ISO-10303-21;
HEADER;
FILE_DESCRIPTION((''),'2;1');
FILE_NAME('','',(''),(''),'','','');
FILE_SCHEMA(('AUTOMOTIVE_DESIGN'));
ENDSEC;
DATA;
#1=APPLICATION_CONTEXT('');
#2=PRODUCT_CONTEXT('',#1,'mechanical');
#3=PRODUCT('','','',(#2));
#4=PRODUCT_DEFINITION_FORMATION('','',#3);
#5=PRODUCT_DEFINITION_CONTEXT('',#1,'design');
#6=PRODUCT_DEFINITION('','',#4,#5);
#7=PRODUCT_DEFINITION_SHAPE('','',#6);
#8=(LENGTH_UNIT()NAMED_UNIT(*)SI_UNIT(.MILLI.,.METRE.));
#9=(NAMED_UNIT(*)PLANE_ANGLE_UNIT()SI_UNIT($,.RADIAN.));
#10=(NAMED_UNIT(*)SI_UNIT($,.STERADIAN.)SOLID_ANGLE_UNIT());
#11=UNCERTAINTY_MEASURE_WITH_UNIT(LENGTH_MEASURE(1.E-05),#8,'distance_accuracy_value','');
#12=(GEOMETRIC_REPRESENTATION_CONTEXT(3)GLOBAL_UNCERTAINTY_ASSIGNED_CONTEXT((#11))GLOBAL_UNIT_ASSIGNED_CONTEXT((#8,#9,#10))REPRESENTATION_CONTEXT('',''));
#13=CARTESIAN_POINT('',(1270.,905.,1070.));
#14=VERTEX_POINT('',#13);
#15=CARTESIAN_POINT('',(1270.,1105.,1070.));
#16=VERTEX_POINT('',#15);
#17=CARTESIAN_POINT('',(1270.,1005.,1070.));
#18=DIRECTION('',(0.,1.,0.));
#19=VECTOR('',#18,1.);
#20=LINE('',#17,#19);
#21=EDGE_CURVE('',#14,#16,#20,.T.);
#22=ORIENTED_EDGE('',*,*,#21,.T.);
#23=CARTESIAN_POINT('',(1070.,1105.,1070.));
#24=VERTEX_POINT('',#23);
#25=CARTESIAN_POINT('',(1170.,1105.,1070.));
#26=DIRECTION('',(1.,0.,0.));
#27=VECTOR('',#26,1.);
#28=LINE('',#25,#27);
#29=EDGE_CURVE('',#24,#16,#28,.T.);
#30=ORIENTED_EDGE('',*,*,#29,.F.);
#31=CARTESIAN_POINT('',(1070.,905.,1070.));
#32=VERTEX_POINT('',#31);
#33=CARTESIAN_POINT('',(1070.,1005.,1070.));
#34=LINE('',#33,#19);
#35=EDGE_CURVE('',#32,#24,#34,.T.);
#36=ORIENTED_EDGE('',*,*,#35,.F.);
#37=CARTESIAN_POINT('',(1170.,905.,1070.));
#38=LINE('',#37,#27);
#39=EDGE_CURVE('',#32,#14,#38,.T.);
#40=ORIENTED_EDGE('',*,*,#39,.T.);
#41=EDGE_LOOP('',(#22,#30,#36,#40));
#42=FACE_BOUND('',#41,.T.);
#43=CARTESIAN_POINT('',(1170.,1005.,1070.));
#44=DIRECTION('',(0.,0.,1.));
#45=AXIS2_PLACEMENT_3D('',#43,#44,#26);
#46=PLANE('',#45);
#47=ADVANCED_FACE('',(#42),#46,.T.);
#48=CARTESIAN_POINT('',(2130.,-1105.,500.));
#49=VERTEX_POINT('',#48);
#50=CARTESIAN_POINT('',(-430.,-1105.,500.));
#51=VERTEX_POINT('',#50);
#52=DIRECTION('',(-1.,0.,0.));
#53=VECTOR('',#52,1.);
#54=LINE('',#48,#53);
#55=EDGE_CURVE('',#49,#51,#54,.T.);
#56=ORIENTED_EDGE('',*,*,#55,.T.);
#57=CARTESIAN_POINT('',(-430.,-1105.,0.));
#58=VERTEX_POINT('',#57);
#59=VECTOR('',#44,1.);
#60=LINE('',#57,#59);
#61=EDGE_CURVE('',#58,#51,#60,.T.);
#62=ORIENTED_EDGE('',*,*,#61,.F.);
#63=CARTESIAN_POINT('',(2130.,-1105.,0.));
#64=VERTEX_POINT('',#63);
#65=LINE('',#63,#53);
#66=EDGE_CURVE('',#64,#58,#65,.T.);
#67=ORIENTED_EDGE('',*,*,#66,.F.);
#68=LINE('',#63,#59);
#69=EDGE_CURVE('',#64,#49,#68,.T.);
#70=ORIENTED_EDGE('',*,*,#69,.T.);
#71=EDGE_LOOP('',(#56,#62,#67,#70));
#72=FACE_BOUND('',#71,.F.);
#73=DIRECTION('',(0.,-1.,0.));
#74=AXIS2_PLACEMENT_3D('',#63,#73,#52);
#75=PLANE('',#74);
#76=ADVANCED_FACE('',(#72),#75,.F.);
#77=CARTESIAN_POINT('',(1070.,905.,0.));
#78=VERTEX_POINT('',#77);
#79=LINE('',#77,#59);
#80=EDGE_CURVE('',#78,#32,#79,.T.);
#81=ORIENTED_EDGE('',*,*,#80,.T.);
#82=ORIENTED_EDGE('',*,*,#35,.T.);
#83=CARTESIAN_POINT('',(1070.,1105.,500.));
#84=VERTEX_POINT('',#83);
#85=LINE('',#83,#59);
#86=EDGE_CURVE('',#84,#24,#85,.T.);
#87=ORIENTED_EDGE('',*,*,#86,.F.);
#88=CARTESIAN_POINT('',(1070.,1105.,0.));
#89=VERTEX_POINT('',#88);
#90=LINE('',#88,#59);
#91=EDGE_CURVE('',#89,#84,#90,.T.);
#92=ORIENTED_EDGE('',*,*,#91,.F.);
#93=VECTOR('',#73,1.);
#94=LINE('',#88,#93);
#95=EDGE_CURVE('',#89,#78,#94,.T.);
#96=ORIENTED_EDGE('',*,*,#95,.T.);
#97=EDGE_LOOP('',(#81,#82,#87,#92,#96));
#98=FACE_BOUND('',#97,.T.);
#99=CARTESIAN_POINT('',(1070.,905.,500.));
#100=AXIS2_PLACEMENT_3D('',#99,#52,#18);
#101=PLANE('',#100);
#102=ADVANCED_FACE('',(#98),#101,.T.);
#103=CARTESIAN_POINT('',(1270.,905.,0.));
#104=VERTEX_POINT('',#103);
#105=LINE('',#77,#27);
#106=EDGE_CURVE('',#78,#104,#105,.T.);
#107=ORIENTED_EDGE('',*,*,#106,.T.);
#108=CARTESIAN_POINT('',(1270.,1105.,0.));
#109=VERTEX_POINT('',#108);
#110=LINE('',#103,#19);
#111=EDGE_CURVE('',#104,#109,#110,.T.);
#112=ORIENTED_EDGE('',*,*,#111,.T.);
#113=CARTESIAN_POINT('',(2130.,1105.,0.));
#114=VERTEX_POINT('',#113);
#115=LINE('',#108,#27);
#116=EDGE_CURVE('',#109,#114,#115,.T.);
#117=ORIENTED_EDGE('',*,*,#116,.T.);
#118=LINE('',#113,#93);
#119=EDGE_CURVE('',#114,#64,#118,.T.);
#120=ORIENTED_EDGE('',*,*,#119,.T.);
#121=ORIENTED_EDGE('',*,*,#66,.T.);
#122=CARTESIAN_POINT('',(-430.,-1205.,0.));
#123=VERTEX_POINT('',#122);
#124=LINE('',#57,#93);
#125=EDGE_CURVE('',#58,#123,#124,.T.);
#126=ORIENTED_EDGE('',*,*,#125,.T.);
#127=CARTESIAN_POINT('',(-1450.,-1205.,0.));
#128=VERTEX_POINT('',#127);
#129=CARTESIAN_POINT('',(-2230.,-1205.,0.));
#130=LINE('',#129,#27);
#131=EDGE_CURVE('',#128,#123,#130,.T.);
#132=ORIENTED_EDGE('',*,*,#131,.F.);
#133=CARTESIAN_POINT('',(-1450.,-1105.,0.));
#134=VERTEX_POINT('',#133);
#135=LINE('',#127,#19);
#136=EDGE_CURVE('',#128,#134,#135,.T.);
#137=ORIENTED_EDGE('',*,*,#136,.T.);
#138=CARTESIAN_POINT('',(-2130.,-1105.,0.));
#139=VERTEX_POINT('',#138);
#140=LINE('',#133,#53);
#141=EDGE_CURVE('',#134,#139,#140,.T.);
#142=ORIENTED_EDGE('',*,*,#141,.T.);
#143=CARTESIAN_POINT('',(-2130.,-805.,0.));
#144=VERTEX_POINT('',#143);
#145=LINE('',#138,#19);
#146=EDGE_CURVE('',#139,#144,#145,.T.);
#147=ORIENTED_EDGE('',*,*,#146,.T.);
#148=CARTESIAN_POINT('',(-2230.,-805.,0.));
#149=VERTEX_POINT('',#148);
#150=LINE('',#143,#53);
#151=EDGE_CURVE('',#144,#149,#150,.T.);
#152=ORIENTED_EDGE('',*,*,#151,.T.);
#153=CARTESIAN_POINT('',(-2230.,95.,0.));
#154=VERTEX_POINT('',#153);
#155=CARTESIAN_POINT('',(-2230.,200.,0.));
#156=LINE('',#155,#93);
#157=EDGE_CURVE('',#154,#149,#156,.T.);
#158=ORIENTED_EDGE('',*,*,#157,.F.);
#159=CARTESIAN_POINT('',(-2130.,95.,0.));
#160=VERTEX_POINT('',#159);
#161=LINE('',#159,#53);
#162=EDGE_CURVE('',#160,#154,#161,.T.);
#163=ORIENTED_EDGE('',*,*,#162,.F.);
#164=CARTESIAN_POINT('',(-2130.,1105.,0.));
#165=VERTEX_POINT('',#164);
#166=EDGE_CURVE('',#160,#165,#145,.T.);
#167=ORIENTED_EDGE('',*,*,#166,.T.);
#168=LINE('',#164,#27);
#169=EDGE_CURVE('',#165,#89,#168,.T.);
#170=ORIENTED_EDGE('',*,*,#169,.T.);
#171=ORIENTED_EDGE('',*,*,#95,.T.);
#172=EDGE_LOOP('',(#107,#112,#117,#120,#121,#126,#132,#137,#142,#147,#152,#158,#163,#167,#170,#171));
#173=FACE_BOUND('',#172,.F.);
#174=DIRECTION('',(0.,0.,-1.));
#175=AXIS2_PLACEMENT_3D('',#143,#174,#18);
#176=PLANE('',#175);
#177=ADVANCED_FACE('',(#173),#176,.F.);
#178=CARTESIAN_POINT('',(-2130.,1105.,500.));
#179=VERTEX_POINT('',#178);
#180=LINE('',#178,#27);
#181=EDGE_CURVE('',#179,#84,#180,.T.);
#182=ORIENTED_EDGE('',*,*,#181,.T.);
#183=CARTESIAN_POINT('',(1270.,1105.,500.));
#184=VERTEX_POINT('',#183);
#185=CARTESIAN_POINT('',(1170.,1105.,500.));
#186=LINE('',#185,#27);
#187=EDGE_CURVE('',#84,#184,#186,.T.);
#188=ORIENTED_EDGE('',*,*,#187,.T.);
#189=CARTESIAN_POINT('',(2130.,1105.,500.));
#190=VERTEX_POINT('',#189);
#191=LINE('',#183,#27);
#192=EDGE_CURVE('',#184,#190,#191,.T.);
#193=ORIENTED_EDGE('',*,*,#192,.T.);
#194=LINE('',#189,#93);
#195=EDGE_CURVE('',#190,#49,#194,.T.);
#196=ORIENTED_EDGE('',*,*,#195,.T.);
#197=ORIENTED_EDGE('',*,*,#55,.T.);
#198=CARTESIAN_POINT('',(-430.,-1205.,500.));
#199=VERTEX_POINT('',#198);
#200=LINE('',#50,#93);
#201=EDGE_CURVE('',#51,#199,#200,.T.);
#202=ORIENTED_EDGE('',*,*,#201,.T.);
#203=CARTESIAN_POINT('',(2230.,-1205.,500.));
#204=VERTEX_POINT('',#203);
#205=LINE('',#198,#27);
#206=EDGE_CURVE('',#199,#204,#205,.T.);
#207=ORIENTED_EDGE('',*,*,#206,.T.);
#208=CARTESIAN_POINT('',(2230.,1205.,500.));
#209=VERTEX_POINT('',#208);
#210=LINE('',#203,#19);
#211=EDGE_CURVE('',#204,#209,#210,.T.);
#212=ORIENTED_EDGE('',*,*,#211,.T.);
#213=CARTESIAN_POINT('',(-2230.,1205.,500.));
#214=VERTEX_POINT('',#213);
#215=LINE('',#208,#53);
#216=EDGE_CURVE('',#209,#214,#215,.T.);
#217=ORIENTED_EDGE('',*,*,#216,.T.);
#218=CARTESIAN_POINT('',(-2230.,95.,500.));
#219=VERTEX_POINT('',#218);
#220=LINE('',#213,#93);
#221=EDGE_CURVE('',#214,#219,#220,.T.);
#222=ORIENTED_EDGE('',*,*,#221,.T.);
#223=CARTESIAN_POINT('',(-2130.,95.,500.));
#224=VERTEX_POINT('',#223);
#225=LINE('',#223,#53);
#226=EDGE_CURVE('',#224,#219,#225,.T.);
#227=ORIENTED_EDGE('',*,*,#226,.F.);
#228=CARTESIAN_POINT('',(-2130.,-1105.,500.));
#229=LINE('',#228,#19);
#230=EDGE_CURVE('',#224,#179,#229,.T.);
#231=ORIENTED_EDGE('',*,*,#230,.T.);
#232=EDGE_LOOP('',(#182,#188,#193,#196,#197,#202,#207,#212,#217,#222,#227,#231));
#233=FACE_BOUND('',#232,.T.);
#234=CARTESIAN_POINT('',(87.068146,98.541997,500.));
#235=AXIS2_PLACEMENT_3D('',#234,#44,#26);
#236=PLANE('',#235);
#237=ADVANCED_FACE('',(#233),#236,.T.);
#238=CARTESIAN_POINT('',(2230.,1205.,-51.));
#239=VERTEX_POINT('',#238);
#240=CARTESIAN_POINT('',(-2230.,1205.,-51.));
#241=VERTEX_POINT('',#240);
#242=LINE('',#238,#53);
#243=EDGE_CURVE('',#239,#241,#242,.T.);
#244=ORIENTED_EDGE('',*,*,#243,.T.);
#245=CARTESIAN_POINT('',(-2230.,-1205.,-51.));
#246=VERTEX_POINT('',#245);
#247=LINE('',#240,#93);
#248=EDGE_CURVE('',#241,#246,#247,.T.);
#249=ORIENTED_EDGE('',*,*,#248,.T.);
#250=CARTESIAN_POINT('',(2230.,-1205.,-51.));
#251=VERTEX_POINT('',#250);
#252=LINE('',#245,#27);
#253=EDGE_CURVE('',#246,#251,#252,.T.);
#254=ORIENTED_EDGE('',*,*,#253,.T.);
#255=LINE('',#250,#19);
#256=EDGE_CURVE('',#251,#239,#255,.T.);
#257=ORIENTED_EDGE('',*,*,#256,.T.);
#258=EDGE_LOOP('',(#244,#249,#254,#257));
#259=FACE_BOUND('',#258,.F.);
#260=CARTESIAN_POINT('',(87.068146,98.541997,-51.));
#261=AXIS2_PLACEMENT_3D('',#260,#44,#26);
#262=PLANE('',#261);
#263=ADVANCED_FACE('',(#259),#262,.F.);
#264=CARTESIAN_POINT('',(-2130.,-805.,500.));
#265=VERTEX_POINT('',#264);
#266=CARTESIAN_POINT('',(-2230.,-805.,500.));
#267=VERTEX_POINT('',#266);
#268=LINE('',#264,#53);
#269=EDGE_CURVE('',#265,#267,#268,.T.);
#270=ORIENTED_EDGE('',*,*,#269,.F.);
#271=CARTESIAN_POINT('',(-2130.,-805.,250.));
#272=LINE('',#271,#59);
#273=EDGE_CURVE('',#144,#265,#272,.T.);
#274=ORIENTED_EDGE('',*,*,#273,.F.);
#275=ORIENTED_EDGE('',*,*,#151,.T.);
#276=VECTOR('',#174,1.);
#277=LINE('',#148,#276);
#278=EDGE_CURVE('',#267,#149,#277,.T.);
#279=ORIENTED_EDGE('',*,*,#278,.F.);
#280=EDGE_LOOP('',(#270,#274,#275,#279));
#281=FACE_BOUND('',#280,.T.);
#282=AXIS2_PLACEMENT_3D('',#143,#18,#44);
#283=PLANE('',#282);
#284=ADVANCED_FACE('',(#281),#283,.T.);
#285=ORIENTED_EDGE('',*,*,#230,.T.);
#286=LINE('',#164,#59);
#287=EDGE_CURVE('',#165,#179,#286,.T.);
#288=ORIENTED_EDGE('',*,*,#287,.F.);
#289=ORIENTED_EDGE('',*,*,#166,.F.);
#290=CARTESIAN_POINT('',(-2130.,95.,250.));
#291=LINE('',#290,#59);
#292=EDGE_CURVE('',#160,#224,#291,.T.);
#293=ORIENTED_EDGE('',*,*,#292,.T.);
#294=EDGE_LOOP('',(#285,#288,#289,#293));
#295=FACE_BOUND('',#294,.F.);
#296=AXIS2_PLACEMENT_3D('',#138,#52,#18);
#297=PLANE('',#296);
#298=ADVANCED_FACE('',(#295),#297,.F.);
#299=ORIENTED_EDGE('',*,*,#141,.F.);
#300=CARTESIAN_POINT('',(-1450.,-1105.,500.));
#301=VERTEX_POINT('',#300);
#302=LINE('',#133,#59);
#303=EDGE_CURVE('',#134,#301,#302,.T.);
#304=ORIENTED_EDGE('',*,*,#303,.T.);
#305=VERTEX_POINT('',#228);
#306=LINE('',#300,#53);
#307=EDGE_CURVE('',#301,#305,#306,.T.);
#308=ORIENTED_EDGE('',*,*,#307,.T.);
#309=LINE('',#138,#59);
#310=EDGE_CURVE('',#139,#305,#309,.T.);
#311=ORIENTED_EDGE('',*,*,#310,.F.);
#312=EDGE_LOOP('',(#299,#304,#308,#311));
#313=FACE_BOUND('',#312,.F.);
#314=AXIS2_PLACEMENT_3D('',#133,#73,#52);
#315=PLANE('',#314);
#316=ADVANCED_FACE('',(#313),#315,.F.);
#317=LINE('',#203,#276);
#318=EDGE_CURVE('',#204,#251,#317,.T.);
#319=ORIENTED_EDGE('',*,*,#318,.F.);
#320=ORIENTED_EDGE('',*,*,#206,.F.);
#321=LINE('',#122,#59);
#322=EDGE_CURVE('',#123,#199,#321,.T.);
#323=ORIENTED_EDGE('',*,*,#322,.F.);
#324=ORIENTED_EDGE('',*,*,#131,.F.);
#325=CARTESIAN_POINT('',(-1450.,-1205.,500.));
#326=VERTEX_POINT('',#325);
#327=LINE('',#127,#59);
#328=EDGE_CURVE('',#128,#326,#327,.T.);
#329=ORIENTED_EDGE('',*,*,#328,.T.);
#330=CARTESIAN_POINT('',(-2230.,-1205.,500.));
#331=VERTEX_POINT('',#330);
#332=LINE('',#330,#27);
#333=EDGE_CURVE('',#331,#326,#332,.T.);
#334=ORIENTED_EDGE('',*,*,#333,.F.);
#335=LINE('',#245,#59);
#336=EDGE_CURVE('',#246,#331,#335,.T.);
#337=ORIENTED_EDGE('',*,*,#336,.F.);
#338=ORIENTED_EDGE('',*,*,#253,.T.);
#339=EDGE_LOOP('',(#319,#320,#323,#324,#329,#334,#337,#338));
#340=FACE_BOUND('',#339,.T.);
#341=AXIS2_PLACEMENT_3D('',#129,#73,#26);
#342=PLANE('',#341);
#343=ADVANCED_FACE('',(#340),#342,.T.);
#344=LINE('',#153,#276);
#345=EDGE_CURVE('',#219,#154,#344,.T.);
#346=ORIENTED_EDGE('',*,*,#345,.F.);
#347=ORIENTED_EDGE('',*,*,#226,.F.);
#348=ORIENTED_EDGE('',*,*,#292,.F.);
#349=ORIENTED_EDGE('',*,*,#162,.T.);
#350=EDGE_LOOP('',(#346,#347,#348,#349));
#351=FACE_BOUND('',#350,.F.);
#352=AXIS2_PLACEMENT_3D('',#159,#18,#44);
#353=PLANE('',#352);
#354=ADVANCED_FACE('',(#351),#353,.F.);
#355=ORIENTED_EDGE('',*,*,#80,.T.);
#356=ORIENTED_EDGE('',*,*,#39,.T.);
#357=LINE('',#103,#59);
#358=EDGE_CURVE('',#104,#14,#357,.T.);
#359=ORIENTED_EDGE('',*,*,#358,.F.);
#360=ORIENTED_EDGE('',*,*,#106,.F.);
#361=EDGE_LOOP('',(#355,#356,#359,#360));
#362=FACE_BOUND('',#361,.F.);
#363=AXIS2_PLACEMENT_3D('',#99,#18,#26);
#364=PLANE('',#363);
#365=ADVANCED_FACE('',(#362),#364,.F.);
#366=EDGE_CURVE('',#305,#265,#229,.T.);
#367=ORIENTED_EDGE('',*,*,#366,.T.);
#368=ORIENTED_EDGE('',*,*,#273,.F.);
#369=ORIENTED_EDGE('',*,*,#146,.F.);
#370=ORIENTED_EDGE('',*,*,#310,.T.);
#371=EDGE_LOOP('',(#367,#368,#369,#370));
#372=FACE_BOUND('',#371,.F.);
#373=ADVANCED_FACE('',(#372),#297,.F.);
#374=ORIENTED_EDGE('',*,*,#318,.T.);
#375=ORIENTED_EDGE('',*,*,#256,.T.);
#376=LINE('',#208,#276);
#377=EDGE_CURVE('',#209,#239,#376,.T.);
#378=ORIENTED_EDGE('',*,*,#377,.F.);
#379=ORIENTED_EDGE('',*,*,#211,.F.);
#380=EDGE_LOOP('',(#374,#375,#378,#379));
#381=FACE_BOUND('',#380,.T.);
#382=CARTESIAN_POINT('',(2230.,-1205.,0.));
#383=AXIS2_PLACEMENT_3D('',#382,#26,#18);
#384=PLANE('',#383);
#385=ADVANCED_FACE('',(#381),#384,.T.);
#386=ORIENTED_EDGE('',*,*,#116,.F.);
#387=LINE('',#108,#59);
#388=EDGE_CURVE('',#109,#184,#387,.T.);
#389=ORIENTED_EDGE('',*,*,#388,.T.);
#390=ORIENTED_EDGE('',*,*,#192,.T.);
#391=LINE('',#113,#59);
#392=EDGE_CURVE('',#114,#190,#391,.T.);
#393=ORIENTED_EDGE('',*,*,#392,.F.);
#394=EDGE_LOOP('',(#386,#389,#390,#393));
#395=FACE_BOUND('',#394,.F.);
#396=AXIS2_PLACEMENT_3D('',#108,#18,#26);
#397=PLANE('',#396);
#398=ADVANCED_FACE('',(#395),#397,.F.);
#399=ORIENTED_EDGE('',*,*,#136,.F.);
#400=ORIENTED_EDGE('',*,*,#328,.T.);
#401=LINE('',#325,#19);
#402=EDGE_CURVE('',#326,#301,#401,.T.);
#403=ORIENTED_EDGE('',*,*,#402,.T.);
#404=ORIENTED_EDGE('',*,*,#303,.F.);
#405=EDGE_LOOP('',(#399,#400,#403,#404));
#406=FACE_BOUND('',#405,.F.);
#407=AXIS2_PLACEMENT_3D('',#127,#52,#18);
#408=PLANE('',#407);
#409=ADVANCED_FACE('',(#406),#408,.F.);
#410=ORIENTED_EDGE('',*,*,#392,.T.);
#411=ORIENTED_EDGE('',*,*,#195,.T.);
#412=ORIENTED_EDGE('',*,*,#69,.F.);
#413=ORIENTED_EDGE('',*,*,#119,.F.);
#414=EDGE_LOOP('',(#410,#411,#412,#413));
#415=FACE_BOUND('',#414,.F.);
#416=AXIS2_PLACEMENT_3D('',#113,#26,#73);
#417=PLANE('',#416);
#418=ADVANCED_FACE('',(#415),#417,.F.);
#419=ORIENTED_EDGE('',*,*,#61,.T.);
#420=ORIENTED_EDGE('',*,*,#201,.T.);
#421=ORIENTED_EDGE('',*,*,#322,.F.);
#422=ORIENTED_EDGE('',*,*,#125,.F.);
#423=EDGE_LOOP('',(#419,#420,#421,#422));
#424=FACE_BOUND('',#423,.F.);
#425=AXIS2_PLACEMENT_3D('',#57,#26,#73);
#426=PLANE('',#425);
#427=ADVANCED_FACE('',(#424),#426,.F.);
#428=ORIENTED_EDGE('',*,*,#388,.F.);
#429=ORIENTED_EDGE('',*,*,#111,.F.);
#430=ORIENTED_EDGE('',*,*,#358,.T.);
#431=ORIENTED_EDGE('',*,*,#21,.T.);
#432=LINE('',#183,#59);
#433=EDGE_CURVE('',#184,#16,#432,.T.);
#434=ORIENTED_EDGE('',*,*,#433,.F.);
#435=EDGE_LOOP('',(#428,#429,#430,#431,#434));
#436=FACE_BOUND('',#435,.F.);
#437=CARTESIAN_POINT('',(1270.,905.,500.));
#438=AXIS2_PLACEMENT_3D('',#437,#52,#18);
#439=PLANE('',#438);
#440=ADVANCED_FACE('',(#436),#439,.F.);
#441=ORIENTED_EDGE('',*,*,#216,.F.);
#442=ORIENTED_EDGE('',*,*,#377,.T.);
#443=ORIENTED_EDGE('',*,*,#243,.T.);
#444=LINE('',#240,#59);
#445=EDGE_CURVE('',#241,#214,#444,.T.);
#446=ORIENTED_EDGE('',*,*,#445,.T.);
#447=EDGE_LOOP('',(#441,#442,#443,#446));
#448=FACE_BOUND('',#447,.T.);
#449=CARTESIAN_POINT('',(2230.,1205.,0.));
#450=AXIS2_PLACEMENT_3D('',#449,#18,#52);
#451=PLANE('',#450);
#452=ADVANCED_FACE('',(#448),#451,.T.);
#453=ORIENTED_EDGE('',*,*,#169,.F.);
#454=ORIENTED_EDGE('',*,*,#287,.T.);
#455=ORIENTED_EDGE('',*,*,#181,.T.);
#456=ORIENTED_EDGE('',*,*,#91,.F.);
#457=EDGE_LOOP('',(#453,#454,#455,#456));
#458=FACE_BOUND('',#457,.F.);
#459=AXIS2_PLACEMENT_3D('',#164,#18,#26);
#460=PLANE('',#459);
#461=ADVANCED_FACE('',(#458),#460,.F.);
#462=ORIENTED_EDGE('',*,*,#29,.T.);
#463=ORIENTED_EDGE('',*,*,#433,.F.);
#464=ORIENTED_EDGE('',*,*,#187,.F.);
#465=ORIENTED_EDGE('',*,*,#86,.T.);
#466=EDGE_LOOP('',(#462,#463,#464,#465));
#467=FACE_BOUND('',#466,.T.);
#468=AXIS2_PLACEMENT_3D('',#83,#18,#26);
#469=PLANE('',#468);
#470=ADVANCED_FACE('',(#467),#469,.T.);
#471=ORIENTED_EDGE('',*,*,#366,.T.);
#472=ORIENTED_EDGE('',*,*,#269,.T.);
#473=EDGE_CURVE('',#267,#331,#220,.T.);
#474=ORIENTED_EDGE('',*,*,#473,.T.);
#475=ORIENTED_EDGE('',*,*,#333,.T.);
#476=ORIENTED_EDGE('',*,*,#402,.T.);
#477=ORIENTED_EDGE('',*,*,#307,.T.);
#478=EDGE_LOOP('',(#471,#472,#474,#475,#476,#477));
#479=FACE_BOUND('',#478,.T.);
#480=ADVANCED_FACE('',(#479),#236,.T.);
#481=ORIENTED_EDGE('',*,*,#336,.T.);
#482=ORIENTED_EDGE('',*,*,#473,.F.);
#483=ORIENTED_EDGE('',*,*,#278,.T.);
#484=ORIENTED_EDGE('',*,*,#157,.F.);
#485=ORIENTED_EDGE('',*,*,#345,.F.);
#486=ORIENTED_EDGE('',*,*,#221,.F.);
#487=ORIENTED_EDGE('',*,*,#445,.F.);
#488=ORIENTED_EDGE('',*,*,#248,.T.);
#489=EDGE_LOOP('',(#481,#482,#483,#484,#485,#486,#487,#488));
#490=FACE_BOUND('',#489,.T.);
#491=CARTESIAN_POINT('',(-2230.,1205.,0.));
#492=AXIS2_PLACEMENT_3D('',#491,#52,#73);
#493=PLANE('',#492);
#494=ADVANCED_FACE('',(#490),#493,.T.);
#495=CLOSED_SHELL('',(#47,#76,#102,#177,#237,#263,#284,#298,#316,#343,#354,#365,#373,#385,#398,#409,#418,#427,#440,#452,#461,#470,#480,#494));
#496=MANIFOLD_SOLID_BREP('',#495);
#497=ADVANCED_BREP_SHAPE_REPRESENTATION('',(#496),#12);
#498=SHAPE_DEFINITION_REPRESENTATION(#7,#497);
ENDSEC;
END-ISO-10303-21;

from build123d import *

# Parameters (mm, degrees)
F1_DEPTH = 500
F2_DEPTH = 51
F3_W     = 900
F3_H     = 500
F4_DEPTH = 190
F5_W     = 200
F5_H     = 200
F6_DEPTH = 570


with BuildPart() as f1:
    # F0 (on Top) → F1 (new body)
    with BuildSketch(Plane.XY):
        Polygon((2230, 1205), (-2230, 1205), (-2230, -1205), (-1450, -1205), (-1450, -1105), (-2130, -1105), (-2130, 1105), (1070, 1105), (1070, 905), (1270, 905), (1270, 1105), (2130, 1105), (2130, -1105), (-430, -1105), (-430, -1205), (2230, -1205), align=None)
    extrude(amount=F1_DEPTH)

    # F0 (on Top) → F2 (join)
    with BuildSketch(Plane.XY):
        Polygon((2230, 1205), (-2230, 1205), (-2230, -1205), (-1450, -1205), (-1450, -1105), (-2130, -1105), (-2130, 1105), (1070, 1105), (1070, 905), (1270, 905), (1270, 1105), (2130, 1105), (2130, -1105), (-430, -1105), (-430, -1205), (2230, -1205), align=None)
        Polygon((-1450, -1105), (-1450, -1205), (-430, -1205), (-430, -1105), (2130, -1105), (2130, 1105), (1270, 1105), (1270, 905), (1070, 905), (1070, 1105), (-2130, 1105), (-2130, -1105), align=None)
    extrude(amount=-F2_DEPTH)

    # F3 (on face) → F4 (cut)
    with BuildSketch(Plane.YZ.offset(-2130)):
        with Locations((-355, 250)):
            Rectangle(F3_W, F3_H)
    extrude(amount=-F4_DEPTH, mode=Mode.SUBTRACT)

    # F5 (on face) → F6 (join)
    with BuildSketch(Plane.XY.offset(500)):
        with Locations((1170, 1005)):
            Rectangle(F5_W, F5_H)
    extrude(amount=F6_DEPTH)


solid = f1.part
